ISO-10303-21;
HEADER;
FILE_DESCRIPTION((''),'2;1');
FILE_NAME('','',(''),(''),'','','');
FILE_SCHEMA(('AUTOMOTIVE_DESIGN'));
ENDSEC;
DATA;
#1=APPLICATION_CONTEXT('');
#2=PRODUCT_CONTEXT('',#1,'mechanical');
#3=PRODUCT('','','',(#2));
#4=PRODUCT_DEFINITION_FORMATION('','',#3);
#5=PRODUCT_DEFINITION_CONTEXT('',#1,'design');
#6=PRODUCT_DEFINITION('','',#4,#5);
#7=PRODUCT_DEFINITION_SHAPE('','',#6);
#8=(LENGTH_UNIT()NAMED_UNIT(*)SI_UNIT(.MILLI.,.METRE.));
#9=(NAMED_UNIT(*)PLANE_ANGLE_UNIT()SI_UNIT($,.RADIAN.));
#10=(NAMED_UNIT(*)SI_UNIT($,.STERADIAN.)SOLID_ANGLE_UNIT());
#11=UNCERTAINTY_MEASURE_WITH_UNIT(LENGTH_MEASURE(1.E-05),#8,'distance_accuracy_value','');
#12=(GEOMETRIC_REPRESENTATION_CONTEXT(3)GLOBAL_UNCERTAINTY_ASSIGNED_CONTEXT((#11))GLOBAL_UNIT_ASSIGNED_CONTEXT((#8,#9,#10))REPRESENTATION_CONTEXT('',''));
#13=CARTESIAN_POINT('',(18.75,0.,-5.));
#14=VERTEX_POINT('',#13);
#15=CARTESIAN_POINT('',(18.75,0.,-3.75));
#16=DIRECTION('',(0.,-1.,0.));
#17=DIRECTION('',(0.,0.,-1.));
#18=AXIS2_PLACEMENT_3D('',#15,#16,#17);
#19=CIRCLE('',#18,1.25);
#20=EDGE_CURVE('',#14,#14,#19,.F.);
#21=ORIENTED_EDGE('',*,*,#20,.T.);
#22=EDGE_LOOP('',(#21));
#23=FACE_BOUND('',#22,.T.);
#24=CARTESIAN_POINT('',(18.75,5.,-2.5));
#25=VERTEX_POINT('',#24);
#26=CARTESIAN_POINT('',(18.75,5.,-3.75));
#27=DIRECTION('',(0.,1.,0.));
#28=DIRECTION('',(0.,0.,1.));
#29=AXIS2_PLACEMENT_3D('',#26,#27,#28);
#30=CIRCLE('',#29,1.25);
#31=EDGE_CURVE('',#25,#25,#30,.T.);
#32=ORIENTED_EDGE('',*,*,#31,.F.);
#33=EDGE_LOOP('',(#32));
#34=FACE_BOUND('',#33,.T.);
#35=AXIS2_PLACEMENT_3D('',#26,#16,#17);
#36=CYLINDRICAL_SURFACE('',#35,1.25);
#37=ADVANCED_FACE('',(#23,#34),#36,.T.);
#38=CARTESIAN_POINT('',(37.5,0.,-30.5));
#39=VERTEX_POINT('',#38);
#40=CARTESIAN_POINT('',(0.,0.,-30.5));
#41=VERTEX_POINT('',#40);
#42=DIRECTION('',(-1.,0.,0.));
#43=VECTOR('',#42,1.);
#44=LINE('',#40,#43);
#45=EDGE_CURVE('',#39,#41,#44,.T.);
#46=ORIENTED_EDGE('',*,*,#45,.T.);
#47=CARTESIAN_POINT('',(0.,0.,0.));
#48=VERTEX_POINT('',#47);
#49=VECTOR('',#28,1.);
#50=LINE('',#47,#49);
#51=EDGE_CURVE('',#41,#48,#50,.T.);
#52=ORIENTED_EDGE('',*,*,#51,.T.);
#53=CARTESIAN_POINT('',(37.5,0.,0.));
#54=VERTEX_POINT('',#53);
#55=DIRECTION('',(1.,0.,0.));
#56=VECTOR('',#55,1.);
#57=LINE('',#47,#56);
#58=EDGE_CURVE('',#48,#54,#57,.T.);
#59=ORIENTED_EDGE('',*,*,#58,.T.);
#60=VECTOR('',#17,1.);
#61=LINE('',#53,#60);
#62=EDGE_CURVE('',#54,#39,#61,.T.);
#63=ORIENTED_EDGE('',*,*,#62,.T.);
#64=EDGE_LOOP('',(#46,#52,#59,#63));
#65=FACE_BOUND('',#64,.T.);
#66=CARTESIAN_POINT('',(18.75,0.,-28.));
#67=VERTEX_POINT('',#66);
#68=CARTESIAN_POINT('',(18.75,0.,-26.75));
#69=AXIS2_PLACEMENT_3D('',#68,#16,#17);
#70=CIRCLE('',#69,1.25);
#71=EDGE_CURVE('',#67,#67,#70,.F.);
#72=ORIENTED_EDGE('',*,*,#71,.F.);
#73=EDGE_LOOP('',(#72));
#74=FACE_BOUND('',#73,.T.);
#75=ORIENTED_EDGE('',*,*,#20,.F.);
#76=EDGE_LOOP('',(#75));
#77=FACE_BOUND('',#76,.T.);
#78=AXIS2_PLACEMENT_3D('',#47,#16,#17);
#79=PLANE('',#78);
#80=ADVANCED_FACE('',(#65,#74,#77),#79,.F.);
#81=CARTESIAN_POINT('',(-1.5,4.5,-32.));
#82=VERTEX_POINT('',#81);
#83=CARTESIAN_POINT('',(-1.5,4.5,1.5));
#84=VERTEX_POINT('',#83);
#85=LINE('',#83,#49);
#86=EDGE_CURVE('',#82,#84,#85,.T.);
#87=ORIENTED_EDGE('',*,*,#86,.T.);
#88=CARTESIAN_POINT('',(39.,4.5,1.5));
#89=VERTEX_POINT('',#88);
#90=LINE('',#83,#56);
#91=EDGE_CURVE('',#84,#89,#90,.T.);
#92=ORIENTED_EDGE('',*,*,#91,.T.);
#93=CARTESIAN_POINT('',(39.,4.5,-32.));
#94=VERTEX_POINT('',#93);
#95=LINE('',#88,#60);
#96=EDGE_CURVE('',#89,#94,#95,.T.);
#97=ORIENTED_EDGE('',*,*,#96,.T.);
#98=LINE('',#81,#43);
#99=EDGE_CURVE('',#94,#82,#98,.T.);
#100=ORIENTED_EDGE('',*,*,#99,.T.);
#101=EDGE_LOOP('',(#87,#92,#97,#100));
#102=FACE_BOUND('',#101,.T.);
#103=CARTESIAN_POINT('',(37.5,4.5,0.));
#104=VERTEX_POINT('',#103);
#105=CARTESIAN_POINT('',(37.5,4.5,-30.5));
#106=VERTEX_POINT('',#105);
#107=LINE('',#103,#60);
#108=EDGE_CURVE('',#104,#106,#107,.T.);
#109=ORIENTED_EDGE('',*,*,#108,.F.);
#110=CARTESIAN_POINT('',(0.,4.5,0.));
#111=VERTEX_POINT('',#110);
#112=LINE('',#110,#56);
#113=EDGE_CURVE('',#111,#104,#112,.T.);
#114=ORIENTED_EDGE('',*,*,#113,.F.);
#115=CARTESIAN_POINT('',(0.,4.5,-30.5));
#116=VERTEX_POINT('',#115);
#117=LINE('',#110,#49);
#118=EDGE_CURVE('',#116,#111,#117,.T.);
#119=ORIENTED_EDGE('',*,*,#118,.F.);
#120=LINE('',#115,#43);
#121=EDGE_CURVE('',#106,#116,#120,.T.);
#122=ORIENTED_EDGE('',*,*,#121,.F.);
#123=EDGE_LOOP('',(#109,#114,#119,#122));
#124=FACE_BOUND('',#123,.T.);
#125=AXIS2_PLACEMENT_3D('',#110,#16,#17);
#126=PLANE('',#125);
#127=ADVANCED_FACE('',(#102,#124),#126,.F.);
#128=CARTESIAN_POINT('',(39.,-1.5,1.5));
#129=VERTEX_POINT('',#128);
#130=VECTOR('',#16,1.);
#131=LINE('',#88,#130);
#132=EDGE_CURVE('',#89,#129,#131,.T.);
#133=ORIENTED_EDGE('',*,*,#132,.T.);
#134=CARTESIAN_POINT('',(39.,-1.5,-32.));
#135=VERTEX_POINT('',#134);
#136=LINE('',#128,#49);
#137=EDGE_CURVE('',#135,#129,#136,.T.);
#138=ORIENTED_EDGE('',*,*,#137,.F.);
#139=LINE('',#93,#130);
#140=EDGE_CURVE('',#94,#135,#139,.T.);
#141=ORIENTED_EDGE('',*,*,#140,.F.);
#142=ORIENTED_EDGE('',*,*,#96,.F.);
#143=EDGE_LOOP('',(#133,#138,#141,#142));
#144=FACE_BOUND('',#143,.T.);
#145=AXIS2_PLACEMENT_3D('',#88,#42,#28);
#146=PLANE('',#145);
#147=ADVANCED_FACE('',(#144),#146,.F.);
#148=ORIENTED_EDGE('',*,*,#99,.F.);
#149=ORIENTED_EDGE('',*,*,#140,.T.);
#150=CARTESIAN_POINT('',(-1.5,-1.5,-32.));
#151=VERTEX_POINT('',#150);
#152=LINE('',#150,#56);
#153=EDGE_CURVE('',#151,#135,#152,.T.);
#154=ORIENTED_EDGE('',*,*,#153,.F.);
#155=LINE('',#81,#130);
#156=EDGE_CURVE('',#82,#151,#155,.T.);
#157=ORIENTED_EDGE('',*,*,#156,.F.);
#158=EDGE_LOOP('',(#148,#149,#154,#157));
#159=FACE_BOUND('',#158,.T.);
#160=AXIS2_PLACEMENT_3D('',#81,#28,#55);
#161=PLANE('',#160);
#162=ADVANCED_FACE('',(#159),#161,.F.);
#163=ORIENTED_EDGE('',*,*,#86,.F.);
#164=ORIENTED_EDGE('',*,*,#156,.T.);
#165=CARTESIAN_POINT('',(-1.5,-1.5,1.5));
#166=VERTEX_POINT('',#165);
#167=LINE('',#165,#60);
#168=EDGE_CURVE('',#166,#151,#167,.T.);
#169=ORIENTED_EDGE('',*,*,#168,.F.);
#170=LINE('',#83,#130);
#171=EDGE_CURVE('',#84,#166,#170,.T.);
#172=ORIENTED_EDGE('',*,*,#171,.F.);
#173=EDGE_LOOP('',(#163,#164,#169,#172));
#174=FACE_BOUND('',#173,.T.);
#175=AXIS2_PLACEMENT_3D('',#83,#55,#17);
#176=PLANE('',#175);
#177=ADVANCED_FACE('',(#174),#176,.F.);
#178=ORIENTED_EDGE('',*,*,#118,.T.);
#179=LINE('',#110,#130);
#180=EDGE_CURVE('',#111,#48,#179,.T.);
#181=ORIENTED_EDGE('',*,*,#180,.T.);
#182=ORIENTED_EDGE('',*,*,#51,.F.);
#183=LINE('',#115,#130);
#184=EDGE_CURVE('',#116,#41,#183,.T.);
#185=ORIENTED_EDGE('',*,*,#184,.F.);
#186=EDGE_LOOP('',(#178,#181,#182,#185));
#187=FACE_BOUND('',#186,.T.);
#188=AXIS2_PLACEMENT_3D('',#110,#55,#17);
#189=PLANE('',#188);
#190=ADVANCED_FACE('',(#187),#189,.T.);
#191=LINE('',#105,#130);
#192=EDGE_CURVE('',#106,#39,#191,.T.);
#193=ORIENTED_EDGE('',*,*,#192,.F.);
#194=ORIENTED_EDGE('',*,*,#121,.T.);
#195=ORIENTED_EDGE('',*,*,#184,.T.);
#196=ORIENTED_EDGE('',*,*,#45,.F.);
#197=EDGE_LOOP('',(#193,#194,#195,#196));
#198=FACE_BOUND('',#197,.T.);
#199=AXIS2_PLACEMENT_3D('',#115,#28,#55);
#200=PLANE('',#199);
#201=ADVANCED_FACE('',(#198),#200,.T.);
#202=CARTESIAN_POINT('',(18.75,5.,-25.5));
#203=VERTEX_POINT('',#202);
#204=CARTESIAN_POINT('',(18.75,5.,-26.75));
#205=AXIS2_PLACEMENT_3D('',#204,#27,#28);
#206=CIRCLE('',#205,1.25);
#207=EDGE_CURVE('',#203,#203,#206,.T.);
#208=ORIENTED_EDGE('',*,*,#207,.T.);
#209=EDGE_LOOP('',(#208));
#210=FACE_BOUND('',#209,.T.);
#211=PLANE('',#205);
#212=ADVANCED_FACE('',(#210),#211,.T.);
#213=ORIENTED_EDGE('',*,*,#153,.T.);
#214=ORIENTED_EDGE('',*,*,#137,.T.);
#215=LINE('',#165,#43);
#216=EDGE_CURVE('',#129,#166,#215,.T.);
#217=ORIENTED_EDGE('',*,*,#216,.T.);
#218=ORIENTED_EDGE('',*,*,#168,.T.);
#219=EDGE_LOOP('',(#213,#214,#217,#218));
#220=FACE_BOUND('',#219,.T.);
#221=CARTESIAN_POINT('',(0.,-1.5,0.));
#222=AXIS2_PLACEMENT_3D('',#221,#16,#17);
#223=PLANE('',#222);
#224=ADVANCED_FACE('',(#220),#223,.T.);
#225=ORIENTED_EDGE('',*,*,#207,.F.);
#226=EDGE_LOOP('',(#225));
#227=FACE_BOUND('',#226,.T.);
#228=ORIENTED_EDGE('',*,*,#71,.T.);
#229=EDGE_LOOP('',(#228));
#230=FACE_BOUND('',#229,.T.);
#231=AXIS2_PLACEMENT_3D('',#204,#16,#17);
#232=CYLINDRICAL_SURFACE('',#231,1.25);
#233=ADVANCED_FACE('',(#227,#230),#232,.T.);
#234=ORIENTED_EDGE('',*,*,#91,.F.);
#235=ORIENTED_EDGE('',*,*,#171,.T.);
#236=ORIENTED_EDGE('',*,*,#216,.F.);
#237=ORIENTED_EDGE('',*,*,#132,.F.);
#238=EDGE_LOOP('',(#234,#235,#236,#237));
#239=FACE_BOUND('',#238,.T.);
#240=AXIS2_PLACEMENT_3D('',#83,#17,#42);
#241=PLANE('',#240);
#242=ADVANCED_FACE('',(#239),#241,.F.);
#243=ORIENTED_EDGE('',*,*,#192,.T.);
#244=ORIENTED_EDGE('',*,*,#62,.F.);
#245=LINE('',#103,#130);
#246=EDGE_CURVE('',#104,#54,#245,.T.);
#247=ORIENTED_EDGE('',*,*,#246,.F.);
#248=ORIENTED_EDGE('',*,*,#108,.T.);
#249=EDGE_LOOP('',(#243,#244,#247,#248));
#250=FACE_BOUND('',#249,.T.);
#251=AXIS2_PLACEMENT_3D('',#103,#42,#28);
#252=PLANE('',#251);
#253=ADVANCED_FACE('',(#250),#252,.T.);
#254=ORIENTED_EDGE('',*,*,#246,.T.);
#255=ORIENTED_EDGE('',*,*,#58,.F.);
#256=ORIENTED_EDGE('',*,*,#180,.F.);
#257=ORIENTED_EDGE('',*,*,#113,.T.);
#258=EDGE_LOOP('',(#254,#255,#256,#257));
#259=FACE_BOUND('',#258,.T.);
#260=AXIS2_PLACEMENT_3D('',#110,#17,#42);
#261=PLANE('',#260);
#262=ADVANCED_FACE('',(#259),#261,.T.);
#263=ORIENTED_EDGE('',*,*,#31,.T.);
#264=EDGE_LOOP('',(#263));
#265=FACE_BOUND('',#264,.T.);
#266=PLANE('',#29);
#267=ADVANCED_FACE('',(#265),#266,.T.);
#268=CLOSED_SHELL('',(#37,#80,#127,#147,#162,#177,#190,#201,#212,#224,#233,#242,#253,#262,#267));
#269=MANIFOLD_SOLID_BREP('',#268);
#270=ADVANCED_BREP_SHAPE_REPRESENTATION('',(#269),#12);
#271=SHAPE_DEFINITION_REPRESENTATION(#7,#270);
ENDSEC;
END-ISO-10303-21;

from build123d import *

# Parameters (mm, degrees)
ESQUISSE1_W        = 40.5
ESQUISSE1_H        = 33.5
ESQUISSE1_W_2      = 37.5
ESQUISSE1_H_2      = 30.5
BOSS_EXTRU_1_DEPTH = 4.5
ESQUISSE2_W        = 40.5
ESQUISSE2_H        = 33.5
BOSS_EXTRU_2_DEPTH = 1.5
ESQUISSE3_R        = 1.25
BOSS_EXTRU_3_DEPTH = 5


with BuildPart() as part:
    # Esquisse1 → Boss.-Extru.1 (new body)
    with BuildSketch(Plane(origin=(0, 0, 0), x_dir=(1, 0, 0), z_dir=(0, 1, 0))):
        with Locations((18.75, 15.25)):
            Rectangle(ESQUISSE1_W, ESQUISSE1_H)
        with Locations((18.75, 15.25)):
            Rectangle(ESQUISSE1_W_2, ESQUISSE1_H_2, mode=Mode.SUBTRACT)
    extrude(amount=BOSS_EXTRU_1_DEPTH)

    # Esquisse2 → Boss.-Extru.2 (add)
    with BuildSketch(Plane.XZ):
        with Locations((18.75, -15.25)):
            Rectangle(ESQUISSE2_W, ESQUISSE2_H)
    extrude(amount=BOSS_EXTRU_2_DEPTH)

    # Esquisse3 → Boss.-Extru.3 (add)
    with BuildSketch(Plane(origin=(0, 0, 0), x_dir=(1, 0, 0), z_dir=(0, 1, 0))):
        with Locations(Location((18.75, 26.75, 0), (0, 0, 90))):
            Circle(ESQUISSE3_R)
        with Locations(Location((18.75, 3.75, 0), (0, 0, 90))):
            Circle(ESQUISSE3_R)
    extrude(amount=BOSS_EXTRU_3_DEPTH)


solid = part.part
